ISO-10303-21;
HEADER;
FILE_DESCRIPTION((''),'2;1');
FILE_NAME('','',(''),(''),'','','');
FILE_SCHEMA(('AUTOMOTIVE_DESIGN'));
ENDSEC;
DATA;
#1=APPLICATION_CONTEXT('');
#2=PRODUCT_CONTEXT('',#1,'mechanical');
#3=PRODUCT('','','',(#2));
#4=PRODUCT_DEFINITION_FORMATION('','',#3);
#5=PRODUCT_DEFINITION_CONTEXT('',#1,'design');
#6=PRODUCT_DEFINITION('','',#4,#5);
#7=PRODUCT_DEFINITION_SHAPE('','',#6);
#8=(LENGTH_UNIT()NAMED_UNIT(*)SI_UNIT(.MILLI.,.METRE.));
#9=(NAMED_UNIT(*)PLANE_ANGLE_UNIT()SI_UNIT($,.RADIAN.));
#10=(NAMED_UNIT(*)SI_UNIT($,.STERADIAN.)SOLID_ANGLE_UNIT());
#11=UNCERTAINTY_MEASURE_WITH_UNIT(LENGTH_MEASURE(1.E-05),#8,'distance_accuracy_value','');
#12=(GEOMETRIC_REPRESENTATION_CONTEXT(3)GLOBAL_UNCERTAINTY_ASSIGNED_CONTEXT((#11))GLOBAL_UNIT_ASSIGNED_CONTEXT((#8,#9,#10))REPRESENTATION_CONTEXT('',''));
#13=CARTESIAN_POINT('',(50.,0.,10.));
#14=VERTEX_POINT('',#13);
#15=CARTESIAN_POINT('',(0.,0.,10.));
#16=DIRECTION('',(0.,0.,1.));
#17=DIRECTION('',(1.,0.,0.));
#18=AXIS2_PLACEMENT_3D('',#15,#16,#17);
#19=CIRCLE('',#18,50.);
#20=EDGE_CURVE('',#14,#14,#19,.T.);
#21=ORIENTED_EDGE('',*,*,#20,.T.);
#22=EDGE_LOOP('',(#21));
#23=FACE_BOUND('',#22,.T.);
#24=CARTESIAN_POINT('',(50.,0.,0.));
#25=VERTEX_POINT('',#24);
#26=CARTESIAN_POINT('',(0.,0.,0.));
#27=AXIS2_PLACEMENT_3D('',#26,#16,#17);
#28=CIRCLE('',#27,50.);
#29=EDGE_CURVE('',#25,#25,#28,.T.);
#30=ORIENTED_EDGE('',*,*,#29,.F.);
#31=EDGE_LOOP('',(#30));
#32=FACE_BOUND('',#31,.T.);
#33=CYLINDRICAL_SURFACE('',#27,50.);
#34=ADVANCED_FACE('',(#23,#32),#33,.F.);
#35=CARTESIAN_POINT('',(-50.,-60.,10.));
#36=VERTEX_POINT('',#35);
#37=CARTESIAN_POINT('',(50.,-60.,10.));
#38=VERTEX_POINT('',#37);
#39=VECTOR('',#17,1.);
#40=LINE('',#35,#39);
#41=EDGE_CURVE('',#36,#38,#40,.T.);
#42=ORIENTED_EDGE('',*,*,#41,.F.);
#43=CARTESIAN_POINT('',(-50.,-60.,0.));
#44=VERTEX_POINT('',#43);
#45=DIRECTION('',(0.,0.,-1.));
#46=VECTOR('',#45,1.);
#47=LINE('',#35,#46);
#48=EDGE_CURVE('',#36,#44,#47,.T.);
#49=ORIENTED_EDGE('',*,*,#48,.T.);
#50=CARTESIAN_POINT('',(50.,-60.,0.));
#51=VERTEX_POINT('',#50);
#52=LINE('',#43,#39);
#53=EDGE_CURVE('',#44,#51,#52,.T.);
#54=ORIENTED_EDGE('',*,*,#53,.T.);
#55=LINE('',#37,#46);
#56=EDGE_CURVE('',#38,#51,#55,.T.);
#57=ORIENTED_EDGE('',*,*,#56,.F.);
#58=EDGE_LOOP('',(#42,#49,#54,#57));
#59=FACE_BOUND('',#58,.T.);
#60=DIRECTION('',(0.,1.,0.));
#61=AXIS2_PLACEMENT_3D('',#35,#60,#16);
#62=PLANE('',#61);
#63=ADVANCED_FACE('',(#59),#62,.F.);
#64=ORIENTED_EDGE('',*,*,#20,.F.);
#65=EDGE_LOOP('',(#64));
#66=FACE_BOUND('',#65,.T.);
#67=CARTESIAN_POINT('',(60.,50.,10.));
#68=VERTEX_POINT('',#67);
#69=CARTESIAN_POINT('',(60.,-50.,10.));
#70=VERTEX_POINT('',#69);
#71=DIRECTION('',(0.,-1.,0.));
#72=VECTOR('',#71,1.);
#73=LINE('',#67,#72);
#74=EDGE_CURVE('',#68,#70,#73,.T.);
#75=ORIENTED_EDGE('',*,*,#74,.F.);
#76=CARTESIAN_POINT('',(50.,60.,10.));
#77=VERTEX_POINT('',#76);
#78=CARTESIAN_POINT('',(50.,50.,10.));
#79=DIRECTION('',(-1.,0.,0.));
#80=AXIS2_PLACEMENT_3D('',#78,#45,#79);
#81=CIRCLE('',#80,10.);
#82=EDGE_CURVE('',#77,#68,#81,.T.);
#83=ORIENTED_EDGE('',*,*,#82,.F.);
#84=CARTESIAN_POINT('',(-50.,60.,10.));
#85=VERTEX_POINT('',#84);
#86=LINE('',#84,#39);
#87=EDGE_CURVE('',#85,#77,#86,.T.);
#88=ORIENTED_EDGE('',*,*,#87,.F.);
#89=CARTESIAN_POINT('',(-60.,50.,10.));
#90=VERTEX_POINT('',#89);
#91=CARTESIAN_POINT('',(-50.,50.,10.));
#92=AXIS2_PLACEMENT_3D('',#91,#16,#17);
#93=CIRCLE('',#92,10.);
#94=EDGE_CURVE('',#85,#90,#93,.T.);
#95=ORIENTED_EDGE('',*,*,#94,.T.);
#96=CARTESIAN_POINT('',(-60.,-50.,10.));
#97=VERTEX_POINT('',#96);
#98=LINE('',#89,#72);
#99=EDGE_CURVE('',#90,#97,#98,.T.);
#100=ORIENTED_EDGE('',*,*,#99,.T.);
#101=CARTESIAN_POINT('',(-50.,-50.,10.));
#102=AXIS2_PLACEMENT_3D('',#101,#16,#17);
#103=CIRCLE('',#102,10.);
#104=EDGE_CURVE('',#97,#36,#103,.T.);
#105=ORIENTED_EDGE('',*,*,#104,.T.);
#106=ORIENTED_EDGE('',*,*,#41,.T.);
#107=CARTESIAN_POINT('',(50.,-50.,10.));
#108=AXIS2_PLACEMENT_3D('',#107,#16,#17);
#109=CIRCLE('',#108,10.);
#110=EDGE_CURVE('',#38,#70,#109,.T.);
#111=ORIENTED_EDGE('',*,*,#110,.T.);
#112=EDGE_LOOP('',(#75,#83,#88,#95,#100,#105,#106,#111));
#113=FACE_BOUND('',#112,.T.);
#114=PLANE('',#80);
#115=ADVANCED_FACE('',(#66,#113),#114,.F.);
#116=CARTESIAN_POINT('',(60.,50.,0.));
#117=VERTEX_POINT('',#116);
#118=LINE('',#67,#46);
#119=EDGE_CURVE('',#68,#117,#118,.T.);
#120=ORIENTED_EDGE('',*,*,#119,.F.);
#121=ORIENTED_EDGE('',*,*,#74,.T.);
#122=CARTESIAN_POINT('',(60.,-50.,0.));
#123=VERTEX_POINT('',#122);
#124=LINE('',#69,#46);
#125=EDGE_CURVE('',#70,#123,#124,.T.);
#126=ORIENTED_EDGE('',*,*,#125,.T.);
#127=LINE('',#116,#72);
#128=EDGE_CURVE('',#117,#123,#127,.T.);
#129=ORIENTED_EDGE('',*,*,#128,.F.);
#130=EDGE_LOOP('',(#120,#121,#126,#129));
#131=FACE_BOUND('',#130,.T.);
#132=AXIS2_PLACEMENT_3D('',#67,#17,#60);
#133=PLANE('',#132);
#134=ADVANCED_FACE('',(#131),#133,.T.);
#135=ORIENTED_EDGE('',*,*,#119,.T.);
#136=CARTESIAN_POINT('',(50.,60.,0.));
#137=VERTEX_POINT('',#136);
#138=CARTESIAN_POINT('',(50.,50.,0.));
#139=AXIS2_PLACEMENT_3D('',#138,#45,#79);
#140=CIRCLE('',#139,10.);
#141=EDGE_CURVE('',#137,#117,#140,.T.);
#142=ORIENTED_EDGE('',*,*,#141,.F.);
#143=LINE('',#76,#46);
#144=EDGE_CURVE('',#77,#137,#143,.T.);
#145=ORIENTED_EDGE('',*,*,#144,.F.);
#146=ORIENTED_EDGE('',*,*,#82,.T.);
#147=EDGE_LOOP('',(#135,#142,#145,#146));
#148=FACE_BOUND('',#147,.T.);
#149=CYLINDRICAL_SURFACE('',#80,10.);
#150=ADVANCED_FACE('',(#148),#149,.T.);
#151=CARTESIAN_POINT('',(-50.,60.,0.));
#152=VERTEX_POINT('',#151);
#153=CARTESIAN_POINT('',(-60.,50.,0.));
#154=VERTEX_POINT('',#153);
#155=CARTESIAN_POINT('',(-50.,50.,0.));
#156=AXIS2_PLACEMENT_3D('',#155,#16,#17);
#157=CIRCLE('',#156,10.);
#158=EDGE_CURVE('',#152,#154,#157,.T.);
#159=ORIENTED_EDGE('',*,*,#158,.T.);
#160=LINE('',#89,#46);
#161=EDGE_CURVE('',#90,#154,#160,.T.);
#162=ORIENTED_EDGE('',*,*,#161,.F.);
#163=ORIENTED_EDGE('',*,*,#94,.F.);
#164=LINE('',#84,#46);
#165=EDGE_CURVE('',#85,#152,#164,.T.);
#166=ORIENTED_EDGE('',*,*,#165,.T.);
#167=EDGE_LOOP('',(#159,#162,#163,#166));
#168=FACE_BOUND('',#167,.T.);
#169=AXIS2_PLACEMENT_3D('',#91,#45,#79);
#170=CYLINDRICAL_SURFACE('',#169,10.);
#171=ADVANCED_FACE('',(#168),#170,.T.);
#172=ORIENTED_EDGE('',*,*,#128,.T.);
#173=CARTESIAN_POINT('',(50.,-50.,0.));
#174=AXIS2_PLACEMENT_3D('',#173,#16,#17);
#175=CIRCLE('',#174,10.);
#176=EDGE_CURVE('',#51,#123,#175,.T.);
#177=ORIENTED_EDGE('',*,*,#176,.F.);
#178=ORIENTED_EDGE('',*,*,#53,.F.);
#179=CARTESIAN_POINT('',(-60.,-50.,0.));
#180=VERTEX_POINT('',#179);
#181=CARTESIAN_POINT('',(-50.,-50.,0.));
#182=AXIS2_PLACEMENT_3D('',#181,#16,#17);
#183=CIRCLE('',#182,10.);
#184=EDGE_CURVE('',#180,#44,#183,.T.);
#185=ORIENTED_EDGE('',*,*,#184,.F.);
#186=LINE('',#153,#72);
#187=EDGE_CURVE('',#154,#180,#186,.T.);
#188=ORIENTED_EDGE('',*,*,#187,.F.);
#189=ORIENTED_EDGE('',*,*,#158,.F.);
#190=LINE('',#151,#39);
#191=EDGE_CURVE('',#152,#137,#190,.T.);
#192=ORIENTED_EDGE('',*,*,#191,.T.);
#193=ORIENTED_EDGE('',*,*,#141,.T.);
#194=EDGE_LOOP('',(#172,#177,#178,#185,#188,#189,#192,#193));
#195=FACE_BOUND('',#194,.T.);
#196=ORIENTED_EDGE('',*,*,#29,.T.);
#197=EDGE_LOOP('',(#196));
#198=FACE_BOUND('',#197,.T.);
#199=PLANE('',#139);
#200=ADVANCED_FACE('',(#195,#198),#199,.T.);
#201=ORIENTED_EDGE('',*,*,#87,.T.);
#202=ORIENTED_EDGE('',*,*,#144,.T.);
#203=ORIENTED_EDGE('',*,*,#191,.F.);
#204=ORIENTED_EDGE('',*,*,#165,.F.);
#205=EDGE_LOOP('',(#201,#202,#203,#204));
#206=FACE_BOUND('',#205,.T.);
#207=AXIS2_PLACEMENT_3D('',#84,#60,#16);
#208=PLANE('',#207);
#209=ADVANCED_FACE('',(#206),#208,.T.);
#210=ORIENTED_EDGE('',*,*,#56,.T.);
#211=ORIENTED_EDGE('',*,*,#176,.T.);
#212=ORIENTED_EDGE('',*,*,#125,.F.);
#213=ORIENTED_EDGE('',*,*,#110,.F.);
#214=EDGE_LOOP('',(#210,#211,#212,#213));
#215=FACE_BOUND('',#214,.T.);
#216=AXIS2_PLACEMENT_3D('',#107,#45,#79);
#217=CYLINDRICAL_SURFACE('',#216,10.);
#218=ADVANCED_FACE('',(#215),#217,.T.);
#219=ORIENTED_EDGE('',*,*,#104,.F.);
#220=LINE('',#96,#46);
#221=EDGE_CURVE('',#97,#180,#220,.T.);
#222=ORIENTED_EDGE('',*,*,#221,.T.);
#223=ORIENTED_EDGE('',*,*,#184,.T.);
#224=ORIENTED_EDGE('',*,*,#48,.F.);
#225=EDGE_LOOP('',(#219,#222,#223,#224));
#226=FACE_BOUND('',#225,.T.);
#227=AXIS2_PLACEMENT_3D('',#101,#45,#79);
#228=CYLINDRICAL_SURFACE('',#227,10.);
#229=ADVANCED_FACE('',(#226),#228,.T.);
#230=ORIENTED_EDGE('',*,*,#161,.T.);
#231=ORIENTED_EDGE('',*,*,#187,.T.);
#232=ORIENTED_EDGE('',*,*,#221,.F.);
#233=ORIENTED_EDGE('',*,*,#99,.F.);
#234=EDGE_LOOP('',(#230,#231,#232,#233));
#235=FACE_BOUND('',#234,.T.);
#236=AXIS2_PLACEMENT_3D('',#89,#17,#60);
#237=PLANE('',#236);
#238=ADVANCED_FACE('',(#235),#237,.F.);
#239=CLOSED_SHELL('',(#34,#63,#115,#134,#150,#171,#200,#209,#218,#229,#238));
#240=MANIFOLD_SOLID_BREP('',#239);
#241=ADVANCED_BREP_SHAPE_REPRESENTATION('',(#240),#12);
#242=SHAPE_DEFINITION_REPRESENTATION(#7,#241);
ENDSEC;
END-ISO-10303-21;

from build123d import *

# Parameters (mm, degrees)
BOSS_EXTRUDE1_DEPTH = 10
SKETCH3_R           = 50
CUT_EXTRUDE2_DEPTH  = 10


with BuildPart() as part:
    # Sketch1 → Boss-Extrude1 (new body)
    with BuildSketch(Plane.XY):
        with BuildLine():
            Line((-50, 60), (50, 60))
            ThreePointArc((50, 60), (57.071067812, 57.071067812), (60, 50))
            Line((60, 50), (60, -50))
            ThreePointArc((60, -50), (57.071067812, -57.071067812), (50, -60))
            Line((50, -60), (-50, -60))
            ThreePointArc((-50, -60), (-57.071067812, -57.071067812), (-60, -50))
            Line((-60, -50), (-60, 50))
            ThreePointArc((-60, 50), (-57.071067812, 57.071067812), (-50, 60))
        make_face()
    extrude(amount=BOSS_EXTRUDE1_DEPTH)

    # Sketch3 → Cut-Extrude2 (cut)
    with BuildSketch(Plane.XY.offset(10)):
        Circle(SKETCH3_R)
    extrude(amount=-CUT_EXTRUDE2_DEPTH, mode=Mode.SUBTRACT)


solid = part.part
